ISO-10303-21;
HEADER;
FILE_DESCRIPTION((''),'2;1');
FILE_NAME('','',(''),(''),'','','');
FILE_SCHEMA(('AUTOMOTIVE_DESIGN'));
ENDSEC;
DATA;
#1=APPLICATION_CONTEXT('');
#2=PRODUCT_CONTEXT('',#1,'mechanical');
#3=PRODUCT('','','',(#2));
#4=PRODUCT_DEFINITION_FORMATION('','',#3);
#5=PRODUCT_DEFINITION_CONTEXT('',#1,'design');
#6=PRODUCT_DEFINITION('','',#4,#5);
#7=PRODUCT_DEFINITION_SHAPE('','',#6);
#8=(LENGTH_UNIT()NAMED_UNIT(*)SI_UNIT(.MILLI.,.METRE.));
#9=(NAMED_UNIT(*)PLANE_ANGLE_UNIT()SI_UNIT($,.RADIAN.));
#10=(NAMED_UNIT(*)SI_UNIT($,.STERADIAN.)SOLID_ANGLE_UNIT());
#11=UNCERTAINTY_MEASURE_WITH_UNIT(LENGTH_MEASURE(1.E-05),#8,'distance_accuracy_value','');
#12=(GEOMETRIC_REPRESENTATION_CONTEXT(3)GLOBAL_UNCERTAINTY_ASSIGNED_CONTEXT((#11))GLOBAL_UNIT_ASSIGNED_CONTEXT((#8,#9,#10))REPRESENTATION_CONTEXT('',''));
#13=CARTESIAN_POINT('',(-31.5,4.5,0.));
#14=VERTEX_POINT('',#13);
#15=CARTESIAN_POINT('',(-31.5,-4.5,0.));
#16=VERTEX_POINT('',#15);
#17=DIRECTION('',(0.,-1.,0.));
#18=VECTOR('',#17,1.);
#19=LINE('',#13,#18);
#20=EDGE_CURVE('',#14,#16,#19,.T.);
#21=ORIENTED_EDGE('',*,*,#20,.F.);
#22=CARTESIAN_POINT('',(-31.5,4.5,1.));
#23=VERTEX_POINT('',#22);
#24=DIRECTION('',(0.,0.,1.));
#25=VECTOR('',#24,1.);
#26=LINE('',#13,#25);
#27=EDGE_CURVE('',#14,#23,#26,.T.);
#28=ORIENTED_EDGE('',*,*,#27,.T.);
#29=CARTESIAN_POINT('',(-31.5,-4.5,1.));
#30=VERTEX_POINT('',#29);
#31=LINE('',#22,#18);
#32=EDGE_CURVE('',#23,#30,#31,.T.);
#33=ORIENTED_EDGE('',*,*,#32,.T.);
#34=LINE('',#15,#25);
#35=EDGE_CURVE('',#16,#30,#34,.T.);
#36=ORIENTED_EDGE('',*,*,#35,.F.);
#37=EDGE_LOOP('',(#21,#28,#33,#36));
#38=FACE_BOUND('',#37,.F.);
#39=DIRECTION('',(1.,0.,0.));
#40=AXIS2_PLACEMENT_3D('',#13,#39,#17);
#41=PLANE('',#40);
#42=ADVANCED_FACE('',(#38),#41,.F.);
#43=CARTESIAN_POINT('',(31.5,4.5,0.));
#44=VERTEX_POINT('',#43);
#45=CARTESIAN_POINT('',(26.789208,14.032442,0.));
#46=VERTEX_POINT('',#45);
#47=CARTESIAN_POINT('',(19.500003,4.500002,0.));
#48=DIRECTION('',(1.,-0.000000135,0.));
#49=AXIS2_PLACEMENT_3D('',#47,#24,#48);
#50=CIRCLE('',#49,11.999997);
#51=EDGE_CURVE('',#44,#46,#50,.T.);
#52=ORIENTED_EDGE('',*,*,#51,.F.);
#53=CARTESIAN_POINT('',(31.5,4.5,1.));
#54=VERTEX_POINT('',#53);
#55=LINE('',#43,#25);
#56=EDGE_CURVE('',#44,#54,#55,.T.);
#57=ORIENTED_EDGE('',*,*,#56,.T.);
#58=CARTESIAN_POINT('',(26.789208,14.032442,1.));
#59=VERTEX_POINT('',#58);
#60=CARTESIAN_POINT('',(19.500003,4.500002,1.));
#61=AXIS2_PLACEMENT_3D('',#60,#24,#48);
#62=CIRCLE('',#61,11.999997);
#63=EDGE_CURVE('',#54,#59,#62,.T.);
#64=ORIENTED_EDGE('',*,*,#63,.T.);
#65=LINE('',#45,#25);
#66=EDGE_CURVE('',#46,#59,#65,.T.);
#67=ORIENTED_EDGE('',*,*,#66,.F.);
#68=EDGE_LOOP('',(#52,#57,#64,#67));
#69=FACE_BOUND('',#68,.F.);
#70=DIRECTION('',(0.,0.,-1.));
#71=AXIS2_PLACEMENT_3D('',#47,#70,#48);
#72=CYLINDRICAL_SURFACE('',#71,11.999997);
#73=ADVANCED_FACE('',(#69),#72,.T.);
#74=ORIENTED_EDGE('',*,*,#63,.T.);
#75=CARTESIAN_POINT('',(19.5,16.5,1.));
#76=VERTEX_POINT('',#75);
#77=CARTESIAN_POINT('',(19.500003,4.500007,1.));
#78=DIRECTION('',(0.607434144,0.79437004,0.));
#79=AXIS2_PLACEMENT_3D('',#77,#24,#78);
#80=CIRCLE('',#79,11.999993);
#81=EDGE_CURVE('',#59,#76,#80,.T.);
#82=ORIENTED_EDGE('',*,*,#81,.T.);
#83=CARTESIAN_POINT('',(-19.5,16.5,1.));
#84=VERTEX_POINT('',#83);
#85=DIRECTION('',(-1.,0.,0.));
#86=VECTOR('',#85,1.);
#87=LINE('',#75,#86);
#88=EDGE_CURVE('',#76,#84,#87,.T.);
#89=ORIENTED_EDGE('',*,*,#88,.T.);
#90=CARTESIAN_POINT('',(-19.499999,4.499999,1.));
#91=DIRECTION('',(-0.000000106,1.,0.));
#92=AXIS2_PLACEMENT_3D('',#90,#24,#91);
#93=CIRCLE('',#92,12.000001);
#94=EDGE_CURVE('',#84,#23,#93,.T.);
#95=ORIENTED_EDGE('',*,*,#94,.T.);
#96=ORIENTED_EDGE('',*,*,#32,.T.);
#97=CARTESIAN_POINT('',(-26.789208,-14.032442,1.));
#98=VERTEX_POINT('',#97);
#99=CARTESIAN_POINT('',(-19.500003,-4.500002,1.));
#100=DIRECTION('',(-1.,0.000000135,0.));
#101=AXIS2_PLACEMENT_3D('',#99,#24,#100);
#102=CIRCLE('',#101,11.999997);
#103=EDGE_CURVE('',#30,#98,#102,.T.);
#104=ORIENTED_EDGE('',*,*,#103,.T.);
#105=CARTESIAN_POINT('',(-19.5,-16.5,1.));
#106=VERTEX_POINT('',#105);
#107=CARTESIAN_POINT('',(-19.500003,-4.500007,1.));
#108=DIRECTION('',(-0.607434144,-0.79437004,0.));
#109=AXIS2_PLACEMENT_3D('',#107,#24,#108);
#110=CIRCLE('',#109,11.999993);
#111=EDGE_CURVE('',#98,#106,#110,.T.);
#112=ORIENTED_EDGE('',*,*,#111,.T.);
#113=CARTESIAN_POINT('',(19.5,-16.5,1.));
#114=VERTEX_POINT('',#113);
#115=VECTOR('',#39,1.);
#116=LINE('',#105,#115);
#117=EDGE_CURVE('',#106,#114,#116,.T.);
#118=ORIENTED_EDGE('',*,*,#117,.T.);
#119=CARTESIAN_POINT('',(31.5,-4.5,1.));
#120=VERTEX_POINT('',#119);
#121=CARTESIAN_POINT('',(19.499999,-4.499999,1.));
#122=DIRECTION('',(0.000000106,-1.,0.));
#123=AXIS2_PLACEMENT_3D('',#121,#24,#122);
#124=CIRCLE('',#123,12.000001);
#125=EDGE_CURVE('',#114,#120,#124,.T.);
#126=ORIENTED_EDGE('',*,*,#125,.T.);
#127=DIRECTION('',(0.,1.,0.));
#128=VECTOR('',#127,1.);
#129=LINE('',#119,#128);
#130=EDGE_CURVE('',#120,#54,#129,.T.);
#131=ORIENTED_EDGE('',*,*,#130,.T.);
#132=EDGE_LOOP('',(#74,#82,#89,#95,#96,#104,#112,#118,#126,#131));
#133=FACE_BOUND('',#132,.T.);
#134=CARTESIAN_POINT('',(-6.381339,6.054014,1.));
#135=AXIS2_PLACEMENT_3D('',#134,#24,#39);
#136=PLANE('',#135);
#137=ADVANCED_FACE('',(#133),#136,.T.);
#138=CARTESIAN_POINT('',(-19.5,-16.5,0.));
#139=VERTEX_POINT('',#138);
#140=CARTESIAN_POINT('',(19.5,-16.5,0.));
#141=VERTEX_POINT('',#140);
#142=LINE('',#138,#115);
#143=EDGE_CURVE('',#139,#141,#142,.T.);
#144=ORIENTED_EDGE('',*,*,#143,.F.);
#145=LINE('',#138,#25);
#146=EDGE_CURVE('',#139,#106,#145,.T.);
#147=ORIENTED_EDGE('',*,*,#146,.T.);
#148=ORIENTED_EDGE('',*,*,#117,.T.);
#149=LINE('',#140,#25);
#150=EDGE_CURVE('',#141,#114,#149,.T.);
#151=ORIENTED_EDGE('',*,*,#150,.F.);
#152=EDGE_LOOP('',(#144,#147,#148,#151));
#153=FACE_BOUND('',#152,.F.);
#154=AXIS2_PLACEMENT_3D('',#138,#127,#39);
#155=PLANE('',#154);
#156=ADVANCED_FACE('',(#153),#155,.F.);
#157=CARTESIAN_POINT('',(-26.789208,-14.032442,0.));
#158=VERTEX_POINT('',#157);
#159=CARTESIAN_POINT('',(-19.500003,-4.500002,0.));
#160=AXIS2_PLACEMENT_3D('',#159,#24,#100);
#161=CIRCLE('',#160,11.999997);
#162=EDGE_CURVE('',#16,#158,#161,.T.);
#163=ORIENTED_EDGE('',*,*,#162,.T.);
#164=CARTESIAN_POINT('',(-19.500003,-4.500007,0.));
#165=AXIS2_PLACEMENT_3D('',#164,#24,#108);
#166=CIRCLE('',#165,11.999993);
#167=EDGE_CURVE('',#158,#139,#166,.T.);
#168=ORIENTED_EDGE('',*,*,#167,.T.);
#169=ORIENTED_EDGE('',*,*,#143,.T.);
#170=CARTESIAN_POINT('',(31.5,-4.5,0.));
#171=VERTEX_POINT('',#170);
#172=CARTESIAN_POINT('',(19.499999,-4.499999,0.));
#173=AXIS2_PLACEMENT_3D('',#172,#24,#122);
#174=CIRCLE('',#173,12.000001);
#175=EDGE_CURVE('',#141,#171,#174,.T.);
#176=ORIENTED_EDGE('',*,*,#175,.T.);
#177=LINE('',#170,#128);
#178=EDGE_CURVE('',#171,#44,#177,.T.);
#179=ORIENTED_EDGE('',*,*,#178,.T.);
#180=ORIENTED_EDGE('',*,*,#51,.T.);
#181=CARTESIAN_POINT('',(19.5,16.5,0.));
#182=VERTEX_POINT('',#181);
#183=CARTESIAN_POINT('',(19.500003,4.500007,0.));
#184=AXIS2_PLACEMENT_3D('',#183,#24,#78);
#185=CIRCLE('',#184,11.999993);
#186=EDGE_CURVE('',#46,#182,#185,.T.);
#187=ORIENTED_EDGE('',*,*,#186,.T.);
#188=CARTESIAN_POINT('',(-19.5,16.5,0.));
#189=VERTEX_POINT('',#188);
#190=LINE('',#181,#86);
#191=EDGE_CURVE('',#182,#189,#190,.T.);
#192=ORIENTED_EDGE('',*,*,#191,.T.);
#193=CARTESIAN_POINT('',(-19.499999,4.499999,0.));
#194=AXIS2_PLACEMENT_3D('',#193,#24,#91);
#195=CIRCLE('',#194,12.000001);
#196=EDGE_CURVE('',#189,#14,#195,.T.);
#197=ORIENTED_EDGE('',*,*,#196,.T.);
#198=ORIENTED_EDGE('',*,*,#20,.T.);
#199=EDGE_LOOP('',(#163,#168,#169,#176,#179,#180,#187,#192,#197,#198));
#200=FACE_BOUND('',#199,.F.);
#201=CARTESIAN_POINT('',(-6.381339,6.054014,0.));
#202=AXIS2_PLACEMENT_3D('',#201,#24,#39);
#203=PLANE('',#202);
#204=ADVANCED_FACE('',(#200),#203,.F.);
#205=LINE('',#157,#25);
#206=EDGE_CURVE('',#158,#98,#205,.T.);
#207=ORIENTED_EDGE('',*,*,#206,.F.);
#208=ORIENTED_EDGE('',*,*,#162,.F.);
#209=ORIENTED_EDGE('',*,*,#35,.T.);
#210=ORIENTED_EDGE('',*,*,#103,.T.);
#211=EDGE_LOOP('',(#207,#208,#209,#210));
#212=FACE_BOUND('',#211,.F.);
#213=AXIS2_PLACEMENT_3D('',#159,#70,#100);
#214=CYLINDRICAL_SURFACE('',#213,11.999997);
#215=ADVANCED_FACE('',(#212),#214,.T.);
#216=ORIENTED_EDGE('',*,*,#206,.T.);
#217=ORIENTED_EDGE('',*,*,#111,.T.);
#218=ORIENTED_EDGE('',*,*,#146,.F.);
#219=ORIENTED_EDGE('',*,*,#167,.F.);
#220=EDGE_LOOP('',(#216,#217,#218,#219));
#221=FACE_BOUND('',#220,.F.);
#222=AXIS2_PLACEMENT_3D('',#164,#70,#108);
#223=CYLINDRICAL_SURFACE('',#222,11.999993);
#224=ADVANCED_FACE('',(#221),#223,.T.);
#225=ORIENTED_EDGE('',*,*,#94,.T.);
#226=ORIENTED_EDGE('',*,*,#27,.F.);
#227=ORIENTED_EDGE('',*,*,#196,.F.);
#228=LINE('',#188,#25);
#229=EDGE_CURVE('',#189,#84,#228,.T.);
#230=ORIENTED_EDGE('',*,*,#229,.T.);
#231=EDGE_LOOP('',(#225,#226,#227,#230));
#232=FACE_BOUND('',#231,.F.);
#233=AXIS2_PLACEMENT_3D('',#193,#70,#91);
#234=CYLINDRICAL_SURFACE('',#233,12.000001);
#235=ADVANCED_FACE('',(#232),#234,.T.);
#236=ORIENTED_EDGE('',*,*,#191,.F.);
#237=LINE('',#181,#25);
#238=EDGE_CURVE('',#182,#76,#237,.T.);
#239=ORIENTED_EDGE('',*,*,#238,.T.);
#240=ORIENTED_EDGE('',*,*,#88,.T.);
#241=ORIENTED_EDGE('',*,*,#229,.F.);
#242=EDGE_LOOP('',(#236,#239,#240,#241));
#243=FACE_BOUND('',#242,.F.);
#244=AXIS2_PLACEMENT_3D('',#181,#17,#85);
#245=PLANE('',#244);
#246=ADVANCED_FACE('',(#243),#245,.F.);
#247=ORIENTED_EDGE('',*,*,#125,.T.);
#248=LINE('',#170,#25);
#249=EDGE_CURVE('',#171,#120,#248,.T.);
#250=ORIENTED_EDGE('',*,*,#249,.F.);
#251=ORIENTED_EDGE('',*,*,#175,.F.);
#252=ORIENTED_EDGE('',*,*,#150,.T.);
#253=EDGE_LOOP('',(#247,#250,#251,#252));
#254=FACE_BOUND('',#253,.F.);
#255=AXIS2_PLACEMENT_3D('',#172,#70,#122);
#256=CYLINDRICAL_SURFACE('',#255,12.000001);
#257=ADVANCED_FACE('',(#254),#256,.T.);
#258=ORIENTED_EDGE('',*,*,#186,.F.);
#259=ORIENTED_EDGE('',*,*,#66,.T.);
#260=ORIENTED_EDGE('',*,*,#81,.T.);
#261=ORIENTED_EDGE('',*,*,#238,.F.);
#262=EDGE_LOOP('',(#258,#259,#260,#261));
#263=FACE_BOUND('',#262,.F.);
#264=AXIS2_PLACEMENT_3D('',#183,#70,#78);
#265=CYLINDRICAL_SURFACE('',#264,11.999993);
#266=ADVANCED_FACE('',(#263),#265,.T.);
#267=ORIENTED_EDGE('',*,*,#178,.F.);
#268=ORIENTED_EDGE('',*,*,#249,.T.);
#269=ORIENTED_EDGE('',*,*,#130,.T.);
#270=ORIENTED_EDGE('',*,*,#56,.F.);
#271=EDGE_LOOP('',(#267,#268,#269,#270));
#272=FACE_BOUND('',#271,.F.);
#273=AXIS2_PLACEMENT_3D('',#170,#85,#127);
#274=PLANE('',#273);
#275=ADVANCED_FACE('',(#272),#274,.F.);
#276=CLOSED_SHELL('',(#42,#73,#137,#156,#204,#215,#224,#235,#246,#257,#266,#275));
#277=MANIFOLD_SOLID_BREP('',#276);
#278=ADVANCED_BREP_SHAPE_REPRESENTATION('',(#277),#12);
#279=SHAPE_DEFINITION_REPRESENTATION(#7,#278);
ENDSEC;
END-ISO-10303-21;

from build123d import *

# Parameters (mm, degrees)
F1_DEPTH = 1


with BuildPart() as f1:
    # F0 (on Top) → F1 (new body)
    with BuildSketch(Plane.XY):
        with BuildLine():
            Line((19.5, 16.5), (-19.5, 16.5))
            ThreePointArc((-19.5, 16.5), (-27.985281, 12.985281), (-31.5, 4.5))
            Line((-31.5, 4.5), (-31.5, -4.5))
            ThreePointArc((-31.5, -4.5), (-30.258032, -9.816461), (-26.789208, -14.032442))
            Line((-26.789208, -14.032442), (26.789208, 14.032442))
            ThreePointArc((26.789208, 14.032442), (23.347772, 15.866383), (19.5, 16.5))
        make_face()
        with BuildLine():
            ThreePointArc((31.5, 4.5), (30.258032, 9.816461), (26.789208, 14.032442))
            Line((26.789208, 14.032442), (-26.789208, -14.032442))
            ThreePointArc((-26.789208, -14.032442), (-23.347772, -15.866383), (-19.5, -16.5))
            Line((-19.5, -16.5), (19.5, -16.5))
            ThreePointArc((19.5, -16.5), (27.985281, -12.985281), (31.5, -4.5))
            Line((31.5, -4.5), (31.5, 4.5))
        make_face()
    extrude(amount=F1_DEPTH)


solid = f1.part
